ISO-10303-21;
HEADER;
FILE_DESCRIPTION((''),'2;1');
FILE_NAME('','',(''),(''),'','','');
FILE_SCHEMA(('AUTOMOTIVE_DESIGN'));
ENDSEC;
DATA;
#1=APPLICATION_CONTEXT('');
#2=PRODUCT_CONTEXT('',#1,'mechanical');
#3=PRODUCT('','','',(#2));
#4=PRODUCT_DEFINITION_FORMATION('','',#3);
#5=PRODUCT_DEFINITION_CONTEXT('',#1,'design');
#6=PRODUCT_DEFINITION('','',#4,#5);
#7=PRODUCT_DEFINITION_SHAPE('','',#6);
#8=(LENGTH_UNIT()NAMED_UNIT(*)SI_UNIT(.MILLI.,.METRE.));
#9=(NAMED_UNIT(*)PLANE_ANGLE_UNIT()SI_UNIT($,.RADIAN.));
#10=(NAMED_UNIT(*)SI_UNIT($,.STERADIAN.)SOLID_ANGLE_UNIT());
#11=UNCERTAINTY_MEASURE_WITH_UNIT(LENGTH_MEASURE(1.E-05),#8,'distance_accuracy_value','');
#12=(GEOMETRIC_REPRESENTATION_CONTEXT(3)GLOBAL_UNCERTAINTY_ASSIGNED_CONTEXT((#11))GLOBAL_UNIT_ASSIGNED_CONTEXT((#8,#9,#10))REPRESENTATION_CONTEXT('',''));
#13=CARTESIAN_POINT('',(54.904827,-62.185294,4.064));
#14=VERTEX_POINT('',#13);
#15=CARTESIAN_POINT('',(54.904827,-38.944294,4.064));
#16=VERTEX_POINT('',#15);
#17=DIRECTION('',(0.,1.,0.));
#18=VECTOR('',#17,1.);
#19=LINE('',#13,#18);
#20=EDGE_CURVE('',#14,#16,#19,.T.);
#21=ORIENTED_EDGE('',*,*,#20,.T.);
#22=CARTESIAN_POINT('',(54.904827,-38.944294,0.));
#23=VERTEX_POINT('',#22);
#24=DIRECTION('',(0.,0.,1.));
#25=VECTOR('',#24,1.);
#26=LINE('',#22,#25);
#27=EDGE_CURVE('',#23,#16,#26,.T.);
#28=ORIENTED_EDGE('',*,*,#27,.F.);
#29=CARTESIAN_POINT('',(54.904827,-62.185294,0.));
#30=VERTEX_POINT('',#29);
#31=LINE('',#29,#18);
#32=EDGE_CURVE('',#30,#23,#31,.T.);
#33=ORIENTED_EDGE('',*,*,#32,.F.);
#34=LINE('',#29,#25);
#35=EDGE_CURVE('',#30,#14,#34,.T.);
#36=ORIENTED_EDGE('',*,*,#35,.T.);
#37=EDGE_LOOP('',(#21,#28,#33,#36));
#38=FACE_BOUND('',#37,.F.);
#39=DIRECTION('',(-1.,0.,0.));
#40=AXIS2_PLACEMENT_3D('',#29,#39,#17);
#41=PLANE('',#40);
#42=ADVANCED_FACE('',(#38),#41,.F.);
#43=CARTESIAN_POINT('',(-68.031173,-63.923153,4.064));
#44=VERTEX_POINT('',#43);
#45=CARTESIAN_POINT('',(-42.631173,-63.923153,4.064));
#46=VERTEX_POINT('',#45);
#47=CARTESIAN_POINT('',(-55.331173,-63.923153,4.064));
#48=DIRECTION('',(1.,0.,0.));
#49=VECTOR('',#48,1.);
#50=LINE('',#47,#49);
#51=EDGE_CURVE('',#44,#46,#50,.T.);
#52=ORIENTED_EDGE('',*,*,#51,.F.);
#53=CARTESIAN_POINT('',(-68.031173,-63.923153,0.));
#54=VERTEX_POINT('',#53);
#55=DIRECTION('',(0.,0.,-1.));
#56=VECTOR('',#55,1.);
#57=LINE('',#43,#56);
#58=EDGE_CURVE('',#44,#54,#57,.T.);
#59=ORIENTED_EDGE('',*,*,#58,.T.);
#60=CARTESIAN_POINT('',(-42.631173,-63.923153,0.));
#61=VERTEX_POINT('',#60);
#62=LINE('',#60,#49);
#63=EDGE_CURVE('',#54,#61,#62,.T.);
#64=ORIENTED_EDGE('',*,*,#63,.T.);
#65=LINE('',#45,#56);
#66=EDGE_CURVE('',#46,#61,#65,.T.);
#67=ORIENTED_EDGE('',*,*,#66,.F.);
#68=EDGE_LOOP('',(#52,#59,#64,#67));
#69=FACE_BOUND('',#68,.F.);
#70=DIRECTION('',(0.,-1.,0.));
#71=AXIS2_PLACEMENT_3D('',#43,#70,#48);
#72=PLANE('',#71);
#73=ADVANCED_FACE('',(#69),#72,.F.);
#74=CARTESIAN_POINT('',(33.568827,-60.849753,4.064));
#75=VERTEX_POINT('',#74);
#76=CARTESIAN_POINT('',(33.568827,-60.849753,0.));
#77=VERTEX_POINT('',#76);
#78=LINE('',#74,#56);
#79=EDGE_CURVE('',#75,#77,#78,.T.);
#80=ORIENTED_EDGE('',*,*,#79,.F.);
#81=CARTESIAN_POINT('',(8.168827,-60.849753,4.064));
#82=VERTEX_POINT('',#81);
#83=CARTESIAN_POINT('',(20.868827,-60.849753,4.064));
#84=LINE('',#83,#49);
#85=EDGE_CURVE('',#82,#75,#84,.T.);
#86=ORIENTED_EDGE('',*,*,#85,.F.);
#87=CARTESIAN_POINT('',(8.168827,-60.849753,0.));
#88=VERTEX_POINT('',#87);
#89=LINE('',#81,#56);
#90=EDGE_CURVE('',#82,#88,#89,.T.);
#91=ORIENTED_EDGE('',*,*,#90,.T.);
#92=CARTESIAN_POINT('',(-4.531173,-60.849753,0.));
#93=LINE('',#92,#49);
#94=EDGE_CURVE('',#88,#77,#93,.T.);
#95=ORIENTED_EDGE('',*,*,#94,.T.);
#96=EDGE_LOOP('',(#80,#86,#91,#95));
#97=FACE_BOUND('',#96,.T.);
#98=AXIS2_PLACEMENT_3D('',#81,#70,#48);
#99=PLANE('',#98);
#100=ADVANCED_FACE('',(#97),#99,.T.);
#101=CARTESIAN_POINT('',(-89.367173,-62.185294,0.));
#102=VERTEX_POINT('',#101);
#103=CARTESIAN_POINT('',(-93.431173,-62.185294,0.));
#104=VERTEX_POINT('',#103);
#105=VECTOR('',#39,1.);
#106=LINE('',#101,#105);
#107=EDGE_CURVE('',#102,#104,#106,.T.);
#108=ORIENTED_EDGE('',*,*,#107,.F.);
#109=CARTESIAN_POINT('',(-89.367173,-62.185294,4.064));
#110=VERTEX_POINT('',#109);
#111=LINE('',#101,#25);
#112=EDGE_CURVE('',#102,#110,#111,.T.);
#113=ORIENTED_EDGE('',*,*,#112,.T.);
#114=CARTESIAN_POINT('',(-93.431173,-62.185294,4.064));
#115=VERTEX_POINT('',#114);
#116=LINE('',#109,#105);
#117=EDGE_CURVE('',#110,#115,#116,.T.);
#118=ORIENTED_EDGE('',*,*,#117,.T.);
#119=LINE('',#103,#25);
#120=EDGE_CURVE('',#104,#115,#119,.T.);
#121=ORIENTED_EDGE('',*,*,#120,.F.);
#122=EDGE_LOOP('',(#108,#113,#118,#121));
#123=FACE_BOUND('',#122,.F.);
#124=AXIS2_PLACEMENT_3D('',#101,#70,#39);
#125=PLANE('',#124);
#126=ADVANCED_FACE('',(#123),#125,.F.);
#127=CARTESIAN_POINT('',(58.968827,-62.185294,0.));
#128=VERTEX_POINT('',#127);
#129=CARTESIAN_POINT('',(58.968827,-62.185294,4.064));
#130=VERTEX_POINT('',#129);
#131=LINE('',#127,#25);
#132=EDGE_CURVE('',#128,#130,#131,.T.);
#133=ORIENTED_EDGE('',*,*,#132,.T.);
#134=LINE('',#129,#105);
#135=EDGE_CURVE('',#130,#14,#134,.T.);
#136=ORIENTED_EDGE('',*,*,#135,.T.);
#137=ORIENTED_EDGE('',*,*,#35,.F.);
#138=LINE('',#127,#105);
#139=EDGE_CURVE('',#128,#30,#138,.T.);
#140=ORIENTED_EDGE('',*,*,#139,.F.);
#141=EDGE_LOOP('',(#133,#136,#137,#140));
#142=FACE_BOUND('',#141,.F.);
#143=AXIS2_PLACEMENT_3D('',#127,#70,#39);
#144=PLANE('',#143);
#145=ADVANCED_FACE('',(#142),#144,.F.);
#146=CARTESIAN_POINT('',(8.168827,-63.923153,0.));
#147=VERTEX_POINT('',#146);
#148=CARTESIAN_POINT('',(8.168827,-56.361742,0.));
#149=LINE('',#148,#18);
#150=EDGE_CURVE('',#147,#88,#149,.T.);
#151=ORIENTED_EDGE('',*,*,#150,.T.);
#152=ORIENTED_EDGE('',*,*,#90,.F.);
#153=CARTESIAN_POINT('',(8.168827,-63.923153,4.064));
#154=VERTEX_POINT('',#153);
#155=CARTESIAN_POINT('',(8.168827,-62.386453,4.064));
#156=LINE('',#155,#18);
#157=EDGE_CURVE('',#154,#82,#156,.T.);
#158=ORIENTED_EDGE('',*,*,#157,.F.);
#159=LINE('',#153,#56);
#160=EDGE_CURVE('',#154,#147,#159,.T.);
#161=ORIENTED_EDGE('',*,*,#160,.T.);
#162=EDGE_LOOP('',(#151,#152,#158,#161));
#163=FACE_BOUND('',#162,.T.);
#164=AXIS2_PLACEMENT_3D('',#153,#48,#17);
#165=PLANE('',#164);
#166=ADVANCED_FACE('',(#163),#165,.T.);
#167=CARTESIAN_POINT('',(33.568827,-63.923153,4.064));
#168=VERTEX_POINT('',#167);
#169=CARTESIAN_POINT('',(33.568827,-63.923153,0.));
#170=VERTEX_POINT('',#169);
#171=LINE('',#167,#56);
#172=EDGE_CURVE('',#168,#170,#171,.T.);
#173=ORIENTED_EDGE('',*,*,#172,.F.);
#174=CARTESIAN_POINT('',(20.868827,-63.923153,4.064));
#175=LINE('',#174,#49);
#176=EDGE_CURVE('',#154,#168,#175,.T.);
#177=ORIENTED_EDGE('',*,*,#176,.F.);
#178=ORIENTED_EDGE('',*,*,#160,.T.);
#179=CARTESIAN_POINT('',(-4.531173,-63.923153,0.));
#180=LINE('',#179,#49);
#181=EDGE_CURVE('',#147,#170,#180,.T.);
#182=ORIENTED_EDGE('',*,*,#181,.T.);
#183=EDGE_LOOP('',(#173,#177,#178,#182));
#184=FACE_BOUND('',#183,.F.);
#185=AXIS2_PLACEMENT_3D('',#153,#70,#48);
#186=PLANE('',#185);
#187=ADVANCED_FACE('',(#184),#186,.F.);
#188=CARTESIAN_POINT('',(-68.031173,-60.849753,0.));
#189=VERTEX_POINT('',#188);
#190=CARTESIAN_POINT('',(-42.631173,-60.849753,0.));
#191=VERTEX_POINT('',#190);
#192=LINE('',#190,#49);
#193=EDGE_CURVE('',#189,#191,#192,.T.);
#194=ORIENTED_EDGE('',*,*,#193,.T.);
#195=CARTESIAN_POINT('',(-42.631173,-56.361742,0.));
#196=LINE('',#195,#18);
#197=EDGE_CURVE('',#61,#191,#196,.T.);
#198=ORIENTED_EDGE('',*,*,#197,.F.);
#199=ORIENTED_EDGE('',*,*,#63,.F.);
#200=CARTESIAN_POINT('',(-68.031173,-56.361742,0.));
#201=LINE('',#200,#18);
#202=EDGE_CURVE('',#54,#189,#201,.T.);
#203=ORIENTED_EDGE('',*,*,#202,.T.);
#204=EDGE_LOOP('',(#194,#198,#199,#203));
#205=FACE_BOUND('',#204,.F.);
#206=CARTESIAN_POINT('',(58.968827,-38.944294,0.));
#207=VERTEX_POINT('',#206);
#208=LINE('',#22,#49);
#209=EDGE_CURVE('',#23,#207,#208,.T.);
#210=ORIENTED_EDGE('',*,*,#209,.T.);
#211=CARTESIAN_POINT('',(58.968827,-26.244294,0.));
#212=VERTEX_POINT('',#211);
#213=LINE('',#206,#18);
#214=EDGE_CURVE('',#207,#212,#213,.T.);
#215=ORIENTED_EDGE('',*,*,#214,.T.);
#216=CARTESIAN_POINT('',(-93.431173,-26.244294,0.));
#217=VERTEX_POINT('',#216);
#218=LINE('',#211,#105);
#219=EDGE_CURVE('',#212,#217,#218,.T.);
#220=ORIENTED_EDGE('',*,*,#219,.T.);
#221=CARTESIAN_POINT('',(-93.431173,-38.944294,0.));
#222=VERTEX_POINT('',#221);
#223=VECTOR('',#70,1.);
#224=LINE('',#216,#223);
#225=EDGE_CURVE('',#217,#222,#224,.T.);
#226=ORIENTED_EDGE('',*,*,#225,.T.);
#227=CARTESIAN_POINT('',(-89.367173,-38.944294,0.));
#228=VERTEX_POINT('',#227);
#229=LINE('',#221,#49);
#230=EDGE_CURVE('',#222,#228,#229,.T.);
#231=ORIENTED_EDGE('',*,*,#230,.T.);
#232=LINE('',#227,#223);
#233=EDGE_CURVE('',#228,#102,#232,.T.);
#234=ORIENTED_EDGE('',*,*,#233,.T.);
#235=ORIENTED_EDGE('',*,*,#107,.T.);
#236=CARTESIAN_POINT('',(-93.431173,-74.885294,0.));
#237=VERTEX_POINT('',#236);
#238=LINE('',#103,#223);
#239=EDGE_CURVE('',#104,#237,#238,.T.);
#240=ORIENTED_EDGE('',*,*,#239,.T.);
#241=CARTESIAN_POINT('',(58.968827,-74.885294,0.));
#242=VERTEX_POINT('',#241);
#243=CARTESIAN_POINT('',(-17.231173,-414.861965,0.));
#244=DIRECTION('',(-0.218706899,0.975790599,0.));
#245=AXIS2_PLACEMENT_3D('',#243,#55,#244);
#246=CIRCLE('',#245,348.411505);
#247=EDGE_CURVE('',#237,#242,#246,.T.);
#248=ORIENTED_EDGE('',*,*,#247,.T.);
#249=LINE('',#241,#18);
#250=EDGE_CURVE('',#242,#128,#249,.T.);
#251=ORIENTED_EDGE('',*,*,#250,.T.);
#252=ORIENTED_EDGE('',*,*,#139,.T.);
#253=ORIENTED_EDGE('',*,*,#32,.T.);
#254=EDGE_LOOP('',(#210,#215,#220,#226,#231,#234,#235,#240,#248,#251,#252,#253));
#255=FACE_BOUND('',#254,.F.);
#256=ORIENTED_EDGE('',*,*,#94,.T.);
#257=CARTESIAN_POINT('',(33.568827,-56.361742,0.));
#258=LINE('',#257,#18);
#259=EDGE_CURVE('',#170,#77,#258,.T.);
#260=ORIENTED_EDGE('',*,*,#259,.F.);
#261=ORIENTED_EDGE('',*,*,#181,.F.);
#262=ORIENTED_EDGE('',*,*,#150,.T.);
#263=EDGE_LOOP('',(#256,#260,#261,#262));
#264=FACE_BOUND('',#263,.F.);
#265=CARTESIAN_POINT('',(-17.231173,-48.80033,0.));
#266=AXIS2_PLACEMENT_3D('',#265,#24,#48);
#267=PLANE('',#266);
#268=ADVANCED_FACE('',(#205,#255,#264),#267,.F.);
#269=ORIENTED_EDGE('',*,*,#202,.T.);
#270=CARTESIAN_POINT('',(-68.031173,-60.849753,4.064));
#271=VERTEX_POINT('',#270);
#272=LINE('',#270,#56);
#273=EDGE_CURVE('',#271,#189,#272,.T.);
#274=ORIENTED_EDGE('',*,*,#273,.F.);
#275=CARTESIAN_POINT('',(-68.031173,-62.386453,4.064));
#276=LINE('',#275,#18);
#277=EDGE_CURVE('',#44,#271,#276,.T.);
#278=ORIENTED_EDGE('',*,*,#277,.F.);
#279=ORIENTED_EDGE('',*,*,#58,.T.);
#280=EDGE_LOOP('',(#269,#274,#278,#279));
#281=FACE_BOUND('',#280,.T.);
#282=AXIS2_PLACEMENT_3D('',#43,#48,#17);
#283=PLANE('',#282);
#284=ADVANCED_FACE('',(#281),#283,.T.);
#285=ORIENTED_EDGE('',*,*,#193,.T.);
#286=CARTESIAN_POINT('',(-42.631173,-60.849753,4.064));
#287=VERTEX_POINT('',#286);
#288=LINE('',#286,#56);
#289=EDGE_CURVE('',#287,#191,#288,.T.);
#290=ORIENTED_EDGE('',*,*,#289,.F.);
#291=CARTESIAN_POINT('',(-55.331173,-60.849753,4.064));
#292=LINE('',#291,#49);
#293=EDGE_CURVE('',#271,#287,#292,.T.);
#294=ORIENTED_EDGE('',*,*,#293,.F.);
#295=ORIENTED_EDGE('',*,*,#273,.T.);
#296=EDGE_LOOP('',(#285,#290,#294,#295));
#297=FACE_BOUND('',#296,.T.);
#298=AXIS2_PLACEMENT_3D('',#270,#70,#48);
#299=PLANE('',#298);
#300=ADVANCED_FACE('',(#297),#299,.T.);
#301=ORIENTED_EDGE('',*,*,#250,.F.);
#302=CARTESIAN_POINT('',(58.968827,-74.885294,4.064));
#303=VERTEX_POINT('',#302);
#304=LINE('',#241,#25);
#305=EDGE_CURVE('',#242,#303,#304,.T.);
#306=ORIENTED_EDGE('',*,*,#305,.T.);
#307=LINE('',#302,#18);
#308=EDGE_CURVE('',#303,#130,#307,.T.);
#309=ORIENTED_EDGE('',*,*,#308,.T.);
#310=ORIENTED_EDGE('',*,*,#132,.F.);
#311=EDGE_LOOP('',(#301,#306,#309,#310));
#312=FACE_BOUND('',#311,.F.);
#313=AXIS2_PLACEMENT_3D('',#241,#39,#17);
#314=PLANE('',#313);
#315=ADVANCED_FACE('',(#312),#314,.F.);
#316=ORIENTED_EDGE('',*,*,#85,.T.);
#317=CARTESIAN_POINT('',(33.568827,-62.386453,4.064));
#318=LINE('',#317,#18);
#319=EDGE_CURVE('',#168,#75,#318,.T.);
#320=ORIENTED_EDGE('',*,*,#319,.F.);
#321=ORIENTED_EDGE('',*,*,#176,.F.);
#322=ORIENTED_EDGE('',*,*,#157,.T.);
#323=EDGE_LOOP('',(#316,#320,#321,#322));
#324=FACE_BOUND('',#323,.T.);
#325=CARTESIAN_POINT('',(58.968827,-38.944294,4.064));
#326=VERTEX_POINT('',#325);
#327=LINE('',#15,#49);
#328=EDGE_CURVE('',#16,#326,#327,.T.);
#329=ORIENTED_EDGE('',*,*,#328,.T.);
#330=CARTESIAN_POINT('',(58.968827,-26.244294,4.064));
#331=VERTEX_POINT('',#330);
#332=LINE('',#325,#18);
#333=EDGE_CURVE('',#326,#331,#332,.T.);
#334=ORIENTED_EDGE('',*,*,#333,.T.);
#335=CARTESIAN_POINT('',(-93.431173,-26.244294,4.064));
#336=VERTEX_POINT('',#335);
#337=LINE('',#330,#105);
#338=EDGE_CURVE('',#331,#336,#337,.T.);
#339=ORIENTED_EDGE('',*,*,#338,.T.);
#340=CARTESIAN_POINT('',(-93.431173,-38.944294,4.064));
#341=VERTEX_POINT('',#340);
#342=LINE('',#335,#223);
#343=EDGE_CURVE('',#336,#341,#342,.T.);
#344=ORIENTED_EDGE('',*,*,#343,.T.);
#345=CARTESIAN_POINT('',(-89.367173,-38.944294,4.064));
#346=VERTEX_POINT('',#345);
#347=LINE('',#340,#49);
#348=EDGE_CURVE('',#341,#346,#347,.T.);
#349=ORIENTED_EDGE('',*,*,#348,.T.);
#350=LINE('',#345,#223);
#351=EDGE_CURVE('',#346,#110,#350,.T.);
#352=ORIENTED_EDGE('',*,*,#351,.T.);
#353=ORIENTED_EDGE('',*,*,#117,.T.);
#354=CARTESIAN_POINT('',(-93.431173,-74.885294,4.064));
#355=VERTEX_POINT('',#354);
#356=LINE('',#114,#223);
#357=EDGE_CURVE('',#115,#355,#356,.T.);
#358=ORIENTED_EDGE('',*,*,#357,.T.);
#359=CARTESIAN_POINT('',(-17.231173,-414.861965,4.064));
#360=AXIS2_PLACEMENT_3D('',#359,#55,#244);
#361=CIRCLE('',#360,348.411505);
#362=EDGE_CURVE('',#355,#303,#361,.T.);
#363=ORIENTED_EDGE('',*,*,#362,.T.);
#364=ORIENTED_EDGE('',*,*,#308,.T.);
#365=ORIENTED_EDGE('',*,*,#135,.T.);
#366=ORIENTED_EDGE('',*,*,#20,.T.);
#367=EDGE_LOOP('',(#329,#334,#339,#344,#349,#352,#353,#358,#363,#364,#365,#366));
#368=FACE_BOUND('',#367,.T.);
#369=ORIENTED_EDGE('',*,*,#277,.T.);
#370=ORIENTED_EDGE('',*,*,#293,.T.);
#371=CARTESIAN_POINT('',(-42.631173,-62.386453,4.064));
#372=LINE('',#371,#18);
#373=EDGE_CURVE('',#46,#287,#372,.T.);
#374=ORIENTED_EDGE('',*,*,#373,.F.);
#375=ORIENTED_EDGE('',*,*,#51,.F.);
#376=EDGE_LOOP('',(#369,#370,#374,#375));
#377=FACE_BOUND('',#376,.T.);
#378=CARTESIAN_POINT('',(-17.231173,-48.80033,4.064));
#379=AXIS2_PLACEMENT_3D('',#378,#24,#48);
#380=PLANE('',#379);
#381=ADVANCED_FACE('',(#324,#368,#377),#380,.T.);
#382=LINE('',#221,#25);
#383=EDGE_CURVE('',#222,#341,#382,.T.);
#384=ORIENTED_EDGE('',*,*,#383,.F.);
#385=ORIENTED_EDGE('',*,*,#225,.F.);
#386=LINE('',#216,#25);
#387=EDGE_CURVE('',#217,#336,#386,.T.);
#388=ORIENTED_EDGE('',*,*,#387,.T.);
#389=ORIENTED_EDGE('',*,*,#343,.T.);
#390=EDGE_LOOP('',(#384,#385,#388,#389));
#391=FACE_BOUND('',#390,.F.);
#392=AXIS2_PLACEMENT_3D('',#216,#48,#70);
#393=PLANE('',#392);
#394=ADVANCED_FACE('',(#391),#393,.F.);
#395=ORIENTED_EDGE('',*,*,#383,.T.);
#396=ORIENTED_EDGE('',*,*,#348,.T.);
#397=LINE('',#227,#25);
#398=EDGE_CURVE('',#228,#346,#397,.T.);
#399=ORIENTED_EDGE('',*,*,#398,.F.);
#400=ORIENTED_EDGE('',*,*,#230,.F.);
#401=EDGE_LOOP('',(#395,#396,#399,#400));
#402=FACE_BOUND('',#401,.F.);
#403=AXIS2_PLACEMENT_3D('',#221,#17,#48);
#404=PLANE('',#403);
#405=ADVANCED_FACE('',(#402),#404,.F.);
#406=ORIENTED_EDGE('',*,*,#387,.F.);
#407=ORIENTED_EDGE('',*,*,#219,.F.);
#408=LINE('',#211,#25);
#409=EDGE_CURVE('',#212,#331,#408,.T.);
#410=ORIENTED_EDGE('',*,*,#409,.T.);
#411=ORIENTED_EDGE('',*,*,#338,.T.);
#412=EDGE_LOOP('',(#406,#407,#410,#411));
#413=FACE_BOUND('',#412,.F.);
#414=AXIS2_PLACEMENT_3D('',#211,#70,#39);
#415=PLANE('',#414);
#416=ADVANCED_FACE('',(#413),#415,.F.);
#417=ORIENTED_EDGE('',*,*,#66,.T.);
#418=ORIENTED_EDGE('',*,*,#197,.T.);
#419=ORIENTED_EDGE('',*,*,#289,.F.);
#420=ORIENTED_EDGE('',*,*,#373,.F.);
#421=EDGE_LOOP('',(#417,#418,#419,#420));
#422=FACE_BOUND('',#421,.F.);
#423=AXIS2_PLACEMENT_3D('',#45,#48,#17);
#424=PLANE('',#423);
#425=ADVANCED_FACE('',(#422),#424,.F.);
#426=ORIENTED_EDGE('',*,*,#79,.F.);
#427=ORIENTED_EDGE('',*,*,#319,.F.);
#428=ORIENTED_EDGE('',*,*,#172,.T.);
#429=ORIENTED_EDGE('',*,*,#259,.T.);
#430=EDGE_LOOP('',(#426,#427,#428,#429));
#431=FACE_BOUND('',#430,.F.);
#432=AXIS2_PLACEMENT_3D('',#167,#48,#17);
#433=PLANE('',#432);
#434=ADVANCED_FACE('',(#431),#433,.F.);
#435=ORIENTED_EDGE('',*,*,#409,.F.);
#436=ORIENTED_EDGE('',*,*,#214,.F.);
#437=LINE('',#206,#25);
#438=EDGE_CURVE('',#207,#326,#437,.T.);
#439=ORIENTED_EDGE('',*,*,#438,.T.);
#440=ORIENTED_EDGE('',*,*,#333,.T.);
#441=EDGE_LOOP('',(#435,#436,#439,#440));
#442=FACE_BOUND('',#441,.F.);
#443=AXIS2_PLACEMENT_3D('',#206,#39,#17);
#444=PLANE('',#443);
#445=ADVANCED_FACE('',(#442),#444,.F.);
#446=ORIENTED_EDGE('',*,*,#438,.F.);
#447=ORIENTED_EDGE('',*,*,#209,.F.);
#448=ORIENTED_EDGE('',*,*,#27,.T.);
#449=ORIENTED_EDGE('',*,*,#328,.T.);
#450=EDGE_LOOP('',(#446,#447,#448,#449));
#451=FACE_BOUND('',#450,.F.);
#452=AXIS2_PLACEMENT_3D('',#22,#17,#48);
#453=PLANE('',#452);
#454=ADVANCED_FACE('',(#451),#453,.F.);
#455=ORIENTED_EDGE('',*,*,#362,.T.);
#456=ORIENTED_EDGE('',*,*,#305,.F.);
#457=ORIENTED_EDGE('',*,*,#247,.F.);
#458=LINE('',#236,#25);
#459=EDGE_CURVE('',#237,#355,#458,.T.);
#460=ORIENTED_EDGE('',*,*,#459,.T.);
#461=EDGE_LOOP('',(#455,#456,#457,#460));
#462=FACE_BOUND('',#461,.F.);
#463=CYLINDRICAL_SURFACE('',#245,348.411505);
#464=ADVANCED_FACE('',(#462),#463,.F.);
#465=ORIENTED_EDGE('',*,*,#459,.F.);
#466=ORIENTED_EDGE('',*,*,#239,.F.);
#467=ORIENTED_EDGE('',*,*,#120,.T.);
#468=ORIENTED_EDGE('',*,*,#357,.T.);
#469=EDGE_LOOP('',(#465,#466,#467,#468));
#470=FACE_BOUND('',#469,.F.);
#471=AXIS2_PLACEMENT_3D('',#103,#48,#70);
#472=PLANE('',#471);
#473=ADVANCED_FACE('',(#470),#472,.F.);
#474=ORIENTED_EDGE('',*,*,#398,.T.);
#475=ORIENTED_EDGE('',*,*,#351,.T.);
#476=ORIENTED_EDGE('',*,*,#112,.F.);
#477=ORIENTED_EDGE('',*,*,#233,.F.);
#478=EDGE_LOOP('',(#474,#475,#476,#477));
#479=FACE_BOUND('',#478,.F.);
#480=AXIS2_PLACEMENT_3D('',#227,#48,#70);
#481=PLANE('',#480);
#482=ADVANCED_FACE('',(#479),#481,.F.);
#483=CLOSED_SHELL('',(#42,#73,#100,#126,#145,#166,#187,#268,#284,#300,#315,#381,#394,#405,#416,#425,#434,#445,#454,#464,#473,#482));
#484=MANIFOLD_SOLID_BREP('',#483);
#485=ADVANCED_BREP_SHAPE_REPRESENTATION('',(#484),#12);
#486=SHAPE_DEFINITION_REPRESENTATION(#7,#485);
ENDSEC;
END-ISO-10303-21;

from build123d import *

# Parameters (mm, degrees)
F1_DEPTH = 4.064
F2_W     = 25.4
F2_H     = 3.0734
F3_DEPTH = 25.4


with BuildPart() as f1:
    # F0 (on Top) → F1 (new body)
    with BuildSketch(Plane.XY):
        with BuildLine():
            Line((-93.431173, -62.185294), (-93.431173, -74.885294))
            ThreePointArc((-93.431173, -74.885294), (-17.231173, -66.45046), (58.968827, -74.885294))
            Line((58.968827, -74.885294), (58.968827, -62.185294))
            Line((58.968827, -62.185294), (54.904827, -62.185294))
            Line((54.904827, -62.185294), (54.904827, -38.944294))
            Line((54.904827, -38.944294), (58.968827, -38.944294))
            Line((58.968827, -38.944294), (58.968827, -36.785294))
            Line((58.968827, -36.785294), (58.968827, -26.244294))
            Line((58.968827, -26.244294), (54.904827, -26.244294))
            Line((54.904827, -26.244294), (-93.431173, -26.244294))
            Line((-93.431173, -26.244294), (-93.431173, -38.944294))
            Line((-93.431173, -38.944294), (-89.367173, -38.944294))
            Line((-89.367173, -38.944294), (-89.367173, -62.185294))
            Line((-89.367173, -62.185294), (-93.431173, -62.185294))
        make_face()
    extrude(amount=F1_DEPTH)

    # F2 (on face) → F3 (cut)
    with BuildSketch(Plane.XY.offset(4.064)):
        with Locations((20.868827, -62.386453)):
            Rectangle(F2_W, F2_H)
        with Locations((-55.331173, -62.386453)):
            Rectangle(F2_W, F2_H)
    extrude(amount=-F3_DEPTH, mode=Mode.SUBTRACT)


solid = f1.part
